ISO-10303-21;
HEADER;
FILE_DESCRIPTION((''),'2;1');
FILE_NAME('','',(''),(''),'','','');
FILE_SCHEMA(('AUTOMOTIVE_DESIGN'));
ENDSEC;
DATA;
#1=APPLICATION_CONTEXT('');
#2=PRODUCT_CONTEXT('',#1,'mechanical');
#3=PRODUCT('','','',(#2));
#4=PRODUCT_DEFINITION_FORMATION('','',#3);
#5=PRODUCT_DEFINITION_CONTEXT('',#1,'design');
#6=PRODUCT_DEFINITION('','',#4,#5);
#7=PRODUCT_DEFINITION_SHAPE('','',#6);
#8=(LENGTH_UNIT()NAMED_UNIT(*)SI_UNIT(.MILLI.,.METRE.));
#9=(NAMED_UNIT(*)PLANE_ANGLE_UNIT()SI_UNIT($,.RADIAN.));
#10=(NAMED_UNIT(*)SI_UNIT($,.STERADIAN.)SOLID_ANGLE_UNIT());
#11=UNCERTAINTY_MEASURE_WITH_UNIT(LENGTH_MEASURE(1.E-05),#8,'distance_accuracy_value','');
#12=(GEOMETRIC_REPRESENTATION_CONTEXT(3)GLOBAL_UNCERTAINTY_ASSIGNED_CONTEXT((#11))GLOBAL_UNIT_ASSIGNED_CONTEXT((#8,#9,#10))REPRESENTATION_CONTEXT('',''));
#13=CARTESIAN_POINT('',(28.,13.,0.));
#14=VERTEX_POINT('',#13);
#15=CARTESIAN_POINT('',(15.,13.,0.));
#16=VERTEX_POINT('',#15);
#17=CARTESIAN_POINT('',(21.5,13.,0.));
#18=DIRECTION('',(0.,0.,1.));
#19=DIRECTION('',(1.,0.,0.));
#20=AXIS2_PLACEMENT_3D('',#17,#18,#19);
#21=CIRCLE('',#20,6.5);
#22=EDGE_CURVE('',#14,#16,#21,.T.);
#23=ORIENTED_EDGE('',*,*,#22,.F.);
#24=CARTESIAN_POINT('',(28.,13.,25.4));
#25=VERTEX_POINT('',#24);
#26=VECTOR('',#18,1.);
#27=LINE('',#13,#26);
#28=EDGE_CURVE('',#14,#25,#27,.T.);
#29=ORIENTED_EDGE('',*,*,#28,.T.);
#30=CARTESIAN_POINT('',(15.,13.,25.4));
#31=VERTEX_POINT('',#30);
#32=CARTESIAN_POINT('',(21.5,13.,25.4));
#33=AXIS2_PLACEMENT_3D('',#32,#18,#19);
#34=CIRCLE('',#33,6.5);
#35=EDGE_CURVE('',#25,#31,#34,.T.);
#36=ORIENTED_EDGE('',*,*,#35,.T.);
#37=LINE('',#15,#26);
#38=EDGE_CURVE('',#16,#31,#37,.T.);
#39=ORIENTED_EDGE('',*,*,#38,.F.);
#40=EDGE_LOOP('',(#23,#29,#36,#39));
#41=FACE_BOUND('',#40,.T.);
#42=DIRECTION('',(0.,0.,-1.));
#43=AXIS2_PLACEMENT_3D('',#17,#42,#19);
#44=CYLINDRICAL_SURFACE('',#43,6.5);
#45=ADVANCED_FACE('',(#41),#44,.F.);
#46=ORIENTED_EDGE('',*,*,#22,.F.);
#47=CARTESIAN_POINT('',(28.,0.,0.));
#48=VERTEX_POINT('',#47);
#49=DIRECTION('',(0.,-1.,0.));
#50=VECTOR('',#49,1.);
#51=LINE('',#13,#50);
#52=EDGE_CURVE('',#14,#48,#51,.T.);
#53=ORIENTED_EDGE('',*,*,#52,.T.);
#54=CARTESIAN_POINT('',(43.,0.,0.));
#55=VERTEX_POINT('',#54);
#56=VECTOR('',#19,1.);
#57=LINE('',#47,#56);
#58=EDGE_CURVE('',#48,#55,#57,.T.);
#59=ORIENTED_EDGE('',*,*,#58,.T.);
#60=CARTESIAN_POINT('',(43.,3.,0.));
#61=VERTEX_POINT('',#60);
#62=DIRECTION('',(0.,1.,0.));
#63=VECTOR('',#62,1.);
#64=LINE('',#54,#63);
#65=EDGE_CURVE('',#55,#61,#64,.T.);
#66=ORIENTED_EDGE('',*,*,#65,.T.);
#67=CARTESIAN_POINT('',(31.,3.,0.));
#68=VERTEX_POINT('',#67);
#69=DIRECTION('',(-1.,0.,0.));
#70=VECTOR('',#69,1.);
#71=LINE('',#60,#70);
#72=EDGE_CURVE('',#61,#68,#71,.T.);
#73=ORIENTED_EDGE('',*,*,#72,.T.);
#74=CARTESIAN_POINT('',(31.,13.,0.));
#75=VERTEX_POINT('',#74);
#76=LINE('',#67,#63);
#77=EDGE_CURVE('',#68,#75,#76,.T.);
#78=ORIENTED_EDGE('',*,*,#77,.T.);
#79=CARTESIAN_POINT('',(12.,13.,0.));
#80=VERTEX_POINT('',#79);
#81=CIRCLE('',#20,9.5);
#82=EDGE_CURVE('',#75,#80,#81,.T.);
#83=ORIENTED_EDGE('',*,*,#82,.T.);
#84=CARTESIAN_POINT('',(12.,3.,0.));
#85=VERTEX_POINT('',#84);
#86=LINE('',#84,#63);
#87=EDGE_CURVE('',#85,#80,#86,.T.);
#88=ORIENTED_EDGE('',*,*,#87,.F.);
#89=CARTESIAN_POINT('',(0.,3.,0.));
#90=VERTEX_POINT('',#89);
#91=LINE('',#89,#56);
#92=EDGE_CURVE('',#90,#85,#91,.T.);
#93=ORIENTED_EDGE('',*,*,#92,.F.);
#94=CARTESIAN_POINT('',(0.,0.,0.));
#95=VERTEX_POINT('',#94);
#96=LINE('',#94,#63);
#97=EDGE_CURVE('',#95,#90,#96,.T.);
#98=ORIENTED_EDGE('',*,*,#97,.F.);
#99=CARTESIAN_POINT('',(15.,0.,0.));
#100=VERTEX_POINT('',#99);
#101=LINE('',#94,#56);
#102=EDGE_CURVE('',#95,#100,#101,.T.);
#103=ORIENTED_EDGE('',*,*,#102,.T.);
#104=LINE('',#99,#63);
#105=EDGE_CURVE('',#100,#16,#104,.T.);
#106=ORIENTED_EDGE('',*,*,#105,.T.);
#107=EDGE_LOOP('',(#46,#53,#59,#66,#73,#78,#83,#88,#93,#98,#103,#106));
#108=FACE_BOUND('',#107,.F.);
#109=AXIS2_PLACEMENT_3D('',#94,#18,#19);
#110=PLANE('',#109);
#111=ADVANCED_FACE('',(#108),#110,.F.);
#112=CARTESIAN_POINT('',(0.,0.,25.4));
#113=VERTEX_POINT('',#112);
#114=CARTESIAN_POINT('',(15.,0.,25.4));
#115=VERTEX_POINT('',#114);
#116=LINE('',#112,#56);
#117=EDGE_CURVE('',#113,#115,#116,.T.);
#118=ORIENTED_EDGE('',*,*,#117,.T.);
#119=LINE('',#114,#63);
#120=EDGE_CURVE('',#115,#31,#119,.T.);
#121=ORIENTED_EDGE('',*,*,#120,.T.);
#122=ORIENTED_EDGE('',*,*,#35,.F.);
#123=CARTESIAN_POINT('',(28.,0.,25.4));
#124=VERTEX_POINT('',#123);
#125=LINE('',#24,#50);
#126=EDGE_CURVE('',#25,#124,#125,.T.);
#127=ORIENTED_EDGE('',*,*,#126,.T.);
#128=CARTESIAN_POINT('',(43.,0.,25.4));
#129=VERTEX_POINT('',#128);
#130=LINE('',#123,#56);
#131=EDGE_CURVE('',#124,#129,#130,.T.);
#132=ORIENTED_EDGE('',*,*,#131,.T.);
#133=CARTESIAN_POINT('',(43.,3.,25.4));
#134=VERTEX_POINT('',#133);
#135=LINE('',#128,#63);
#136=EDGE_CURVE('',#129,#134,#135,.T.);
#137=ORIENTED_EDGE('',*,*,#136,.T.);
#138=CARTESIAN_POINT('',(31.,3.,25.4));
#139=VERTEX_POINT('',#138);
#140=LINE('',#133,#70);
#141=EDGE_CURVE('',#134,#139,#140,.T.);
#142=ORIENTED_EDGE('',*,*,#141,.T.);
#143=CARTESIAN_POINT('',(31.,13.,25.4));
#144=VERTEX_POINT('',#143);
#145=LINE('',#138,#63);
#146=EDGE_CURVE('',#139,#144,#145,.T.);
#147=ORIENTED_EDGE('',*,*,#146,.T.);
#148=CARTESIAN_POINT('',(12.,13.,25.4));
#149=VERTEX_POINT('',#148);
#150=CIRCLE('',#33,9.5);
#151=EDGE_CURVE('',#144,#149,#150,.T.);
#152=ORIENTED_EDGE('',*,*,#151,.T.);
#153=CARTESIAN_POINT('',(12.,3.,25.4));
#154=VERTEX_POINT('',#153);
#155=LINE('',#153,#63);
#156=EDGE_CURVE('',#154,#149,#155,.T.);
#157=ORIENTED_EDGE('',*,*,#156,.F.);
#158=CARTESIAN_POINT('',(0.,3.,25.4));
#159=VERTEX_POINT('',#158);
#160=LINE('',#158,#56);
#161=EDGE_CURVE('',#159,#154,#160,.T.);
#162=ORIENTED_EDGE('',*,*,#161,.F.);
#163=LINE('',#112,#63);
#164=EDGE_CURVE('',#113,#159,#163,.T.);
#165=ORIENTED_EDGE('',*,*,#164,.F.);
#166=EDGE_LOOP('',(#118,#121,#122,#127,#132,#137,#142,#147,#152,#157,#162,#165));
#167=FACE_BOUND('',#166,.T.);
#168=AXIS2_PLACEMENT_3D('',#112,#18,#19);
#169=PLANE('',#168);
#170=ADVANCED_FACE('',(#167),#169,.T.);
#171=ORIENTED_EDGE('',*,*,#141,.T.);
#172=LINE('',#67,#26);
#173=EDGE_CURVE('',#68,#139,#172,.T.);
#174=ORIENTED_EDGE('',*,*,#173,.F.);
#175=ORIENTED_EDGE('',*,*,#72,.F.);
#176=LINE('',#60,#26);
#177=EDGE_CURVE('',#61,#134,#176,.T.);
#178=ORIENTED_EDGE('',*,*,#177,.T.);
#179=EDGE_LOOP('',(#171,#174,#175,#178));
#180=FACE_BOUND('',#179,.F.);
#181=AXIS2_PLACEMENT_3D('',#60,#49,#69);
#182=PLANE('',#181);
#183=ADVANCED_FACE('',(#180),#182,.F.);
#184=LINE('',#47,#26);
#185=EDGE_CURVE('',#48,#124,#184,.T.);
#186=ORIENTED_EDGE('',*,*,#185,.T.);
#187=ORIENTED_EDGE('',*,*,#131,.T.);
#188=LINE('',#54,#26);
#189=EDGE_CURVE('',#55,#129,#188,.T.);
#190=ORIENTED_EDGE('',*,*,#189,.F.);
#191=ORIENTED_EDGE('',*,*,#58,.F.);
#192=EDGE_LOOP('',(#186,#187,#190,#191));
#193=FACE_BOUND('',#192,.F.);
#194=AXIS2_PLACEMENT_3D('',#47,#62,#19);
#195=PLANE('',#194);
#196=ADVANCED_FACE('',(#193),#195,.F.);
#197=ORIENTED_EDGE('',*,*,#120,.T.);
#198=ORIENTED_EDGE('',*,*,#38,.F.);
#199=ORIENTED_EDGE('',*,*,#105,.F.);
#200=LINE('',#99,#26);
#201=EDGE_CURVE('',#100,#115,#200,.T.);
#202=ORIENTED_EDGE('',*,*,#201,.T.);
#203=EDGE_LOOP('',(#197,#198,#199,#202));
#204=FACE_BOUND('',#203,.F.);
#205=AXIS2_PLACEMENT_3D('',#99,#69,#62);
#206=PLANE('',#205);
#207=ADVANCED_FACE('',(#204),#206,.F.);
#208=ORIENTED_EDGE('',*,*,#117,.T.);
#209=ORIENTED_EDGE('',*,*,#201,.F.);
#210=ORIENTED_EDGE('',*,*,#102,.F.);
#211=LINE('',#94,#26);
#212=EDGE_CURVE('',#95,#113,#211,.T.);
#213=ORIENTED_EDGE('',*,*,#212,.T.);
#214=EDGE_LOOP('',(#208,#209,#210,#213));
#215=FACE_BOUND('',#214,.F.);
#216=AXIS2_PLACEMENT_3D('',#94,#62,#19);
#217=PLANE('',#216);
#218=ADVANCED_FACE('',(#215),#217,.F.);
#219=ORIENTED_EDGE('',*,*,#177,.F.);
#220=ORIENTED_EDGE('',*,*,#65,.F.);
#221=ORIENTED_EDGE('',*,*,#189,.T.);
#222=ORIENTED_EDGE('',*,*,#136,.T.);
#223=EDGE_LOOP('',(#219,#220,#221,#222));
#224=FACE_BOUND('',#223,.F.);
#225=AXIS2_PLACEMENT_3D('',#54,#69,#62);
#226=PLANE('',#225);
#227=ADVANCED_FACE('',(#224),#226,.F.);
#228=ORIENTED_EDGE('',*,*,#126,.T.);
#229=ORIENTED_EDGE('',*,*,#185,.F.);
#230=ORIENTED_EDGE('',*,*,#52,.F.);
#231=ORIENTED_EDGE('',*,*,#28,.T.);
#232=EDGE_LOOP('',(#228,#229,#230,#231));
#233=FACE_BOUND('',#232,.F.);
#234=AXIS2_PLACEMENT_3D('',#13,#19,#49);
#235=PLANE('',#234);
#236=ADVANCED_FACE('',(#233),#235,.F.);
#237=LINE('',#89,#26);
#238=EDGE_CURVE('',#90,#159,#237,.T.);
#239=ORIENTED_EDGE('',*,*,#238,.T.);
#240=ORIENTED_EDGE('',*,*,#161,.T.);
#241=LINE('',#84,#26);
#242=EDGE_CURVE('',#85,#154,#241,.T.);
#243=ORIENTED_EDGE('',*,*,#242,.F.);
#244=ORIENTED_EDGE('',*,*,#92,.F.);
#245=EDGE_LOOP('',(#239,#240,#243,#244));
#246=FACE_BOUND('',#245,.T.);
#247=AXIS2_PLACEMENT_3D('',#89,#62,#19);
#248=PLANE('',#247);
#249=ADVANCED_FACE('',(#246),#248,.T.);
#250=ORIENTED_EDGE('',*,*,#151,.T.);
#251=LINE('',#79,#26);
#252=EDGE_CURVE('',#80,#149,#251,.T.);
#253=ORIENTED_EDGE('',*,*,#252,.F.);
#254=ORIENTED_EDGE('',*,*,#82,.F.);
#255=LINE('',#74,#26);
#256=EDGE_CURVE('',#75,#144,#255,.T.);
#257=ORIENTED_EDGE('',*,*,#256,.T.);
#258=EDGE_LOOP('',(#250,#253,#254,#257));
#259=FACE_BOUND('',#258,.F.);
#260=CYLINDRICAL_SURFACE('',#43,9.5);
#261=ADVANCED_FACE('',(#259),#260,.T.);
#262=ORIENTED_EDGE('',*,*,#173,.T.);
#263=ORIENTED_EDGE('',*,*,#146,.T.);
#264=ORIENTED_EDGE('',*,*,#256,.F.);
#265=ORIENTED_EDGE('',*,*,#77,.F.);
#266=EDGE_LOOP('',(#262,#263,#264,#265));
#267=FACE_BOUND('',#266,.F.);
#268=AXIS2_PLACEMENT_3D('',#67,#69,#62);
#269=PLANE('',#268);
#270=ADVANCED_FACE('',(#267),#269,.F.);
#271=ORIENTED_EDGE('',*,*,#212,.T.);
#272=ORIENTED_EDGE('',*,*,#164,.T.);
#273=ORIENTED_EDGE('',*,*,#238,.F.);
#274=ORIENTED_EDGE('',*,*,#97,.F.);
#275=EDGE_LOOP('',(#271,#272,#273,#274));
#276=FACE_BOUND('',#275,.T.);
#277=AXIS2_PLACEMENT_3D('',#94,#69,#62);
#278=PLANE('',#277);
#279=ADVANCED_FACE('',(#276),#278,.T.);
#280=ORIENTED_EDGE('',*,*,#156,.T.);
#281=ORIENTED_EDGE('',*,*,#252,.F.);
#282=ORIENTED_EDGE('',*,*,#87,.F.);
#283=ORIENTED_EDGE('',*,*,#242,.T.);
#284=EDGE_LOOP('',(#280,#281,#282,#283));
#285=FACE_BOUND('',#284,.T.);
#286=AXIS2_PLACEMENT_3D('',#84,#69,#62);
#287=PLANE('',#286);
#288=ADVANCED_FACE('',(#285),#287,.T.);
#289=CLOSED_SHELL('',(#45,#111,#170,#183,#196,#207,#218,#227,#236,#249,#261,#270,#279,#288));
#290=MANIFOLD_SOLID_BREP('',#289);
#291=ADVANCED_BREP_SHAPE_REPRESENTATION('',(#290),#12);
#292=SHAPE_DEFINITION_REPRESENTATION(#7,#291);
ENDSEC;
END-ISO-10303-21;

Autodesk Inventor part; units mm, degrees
ref_plane "YZ Plane" through (0, 0, 0) normal (1, 0, 0) x (0, 1, 0)
ref_plane "XZ Plane" through (0, 0, 0) normal (0, 1, 0) x (-1, 0, 0)
ref_plane "XY Plane" through (0, 0, 0) normal (0, 0, 1) x (1, 0, 0)
sketch "Sketch1" plane through (0, 0, 0) normal (0, 0, 1) x (1, 0, 0)
  line L0 (0, 0) -> (0, 3)
  line L1 (0, 3) -> (12, 3)
  line L2 (0, 0) -> (15, 0)
  line L3 (15, 0) -> (15, 13)
  line L4 (12, 3) -> (12, 13)
  line L5 (28, 13) -> (28, 0)
  line L6 (28, 0) -> (43, 0)
  line L7 (43, 0) -> (43, 3)
  line L8 (43, 3) -> (31, 3)
  line L9 (31, 3) -> (31, 13)
  arc A0 (28, 13) -> (15, 13) centre (21.5, 13) ccw
  arc A1 (31, 13) -> (12, 13) centre (21.5, 13) ccw
  dimension "d10" = 3
extrude "Extrusion1" add sketch "Sketch1" along normal blind 25.4
properties part number "SADDLE_CPY"
